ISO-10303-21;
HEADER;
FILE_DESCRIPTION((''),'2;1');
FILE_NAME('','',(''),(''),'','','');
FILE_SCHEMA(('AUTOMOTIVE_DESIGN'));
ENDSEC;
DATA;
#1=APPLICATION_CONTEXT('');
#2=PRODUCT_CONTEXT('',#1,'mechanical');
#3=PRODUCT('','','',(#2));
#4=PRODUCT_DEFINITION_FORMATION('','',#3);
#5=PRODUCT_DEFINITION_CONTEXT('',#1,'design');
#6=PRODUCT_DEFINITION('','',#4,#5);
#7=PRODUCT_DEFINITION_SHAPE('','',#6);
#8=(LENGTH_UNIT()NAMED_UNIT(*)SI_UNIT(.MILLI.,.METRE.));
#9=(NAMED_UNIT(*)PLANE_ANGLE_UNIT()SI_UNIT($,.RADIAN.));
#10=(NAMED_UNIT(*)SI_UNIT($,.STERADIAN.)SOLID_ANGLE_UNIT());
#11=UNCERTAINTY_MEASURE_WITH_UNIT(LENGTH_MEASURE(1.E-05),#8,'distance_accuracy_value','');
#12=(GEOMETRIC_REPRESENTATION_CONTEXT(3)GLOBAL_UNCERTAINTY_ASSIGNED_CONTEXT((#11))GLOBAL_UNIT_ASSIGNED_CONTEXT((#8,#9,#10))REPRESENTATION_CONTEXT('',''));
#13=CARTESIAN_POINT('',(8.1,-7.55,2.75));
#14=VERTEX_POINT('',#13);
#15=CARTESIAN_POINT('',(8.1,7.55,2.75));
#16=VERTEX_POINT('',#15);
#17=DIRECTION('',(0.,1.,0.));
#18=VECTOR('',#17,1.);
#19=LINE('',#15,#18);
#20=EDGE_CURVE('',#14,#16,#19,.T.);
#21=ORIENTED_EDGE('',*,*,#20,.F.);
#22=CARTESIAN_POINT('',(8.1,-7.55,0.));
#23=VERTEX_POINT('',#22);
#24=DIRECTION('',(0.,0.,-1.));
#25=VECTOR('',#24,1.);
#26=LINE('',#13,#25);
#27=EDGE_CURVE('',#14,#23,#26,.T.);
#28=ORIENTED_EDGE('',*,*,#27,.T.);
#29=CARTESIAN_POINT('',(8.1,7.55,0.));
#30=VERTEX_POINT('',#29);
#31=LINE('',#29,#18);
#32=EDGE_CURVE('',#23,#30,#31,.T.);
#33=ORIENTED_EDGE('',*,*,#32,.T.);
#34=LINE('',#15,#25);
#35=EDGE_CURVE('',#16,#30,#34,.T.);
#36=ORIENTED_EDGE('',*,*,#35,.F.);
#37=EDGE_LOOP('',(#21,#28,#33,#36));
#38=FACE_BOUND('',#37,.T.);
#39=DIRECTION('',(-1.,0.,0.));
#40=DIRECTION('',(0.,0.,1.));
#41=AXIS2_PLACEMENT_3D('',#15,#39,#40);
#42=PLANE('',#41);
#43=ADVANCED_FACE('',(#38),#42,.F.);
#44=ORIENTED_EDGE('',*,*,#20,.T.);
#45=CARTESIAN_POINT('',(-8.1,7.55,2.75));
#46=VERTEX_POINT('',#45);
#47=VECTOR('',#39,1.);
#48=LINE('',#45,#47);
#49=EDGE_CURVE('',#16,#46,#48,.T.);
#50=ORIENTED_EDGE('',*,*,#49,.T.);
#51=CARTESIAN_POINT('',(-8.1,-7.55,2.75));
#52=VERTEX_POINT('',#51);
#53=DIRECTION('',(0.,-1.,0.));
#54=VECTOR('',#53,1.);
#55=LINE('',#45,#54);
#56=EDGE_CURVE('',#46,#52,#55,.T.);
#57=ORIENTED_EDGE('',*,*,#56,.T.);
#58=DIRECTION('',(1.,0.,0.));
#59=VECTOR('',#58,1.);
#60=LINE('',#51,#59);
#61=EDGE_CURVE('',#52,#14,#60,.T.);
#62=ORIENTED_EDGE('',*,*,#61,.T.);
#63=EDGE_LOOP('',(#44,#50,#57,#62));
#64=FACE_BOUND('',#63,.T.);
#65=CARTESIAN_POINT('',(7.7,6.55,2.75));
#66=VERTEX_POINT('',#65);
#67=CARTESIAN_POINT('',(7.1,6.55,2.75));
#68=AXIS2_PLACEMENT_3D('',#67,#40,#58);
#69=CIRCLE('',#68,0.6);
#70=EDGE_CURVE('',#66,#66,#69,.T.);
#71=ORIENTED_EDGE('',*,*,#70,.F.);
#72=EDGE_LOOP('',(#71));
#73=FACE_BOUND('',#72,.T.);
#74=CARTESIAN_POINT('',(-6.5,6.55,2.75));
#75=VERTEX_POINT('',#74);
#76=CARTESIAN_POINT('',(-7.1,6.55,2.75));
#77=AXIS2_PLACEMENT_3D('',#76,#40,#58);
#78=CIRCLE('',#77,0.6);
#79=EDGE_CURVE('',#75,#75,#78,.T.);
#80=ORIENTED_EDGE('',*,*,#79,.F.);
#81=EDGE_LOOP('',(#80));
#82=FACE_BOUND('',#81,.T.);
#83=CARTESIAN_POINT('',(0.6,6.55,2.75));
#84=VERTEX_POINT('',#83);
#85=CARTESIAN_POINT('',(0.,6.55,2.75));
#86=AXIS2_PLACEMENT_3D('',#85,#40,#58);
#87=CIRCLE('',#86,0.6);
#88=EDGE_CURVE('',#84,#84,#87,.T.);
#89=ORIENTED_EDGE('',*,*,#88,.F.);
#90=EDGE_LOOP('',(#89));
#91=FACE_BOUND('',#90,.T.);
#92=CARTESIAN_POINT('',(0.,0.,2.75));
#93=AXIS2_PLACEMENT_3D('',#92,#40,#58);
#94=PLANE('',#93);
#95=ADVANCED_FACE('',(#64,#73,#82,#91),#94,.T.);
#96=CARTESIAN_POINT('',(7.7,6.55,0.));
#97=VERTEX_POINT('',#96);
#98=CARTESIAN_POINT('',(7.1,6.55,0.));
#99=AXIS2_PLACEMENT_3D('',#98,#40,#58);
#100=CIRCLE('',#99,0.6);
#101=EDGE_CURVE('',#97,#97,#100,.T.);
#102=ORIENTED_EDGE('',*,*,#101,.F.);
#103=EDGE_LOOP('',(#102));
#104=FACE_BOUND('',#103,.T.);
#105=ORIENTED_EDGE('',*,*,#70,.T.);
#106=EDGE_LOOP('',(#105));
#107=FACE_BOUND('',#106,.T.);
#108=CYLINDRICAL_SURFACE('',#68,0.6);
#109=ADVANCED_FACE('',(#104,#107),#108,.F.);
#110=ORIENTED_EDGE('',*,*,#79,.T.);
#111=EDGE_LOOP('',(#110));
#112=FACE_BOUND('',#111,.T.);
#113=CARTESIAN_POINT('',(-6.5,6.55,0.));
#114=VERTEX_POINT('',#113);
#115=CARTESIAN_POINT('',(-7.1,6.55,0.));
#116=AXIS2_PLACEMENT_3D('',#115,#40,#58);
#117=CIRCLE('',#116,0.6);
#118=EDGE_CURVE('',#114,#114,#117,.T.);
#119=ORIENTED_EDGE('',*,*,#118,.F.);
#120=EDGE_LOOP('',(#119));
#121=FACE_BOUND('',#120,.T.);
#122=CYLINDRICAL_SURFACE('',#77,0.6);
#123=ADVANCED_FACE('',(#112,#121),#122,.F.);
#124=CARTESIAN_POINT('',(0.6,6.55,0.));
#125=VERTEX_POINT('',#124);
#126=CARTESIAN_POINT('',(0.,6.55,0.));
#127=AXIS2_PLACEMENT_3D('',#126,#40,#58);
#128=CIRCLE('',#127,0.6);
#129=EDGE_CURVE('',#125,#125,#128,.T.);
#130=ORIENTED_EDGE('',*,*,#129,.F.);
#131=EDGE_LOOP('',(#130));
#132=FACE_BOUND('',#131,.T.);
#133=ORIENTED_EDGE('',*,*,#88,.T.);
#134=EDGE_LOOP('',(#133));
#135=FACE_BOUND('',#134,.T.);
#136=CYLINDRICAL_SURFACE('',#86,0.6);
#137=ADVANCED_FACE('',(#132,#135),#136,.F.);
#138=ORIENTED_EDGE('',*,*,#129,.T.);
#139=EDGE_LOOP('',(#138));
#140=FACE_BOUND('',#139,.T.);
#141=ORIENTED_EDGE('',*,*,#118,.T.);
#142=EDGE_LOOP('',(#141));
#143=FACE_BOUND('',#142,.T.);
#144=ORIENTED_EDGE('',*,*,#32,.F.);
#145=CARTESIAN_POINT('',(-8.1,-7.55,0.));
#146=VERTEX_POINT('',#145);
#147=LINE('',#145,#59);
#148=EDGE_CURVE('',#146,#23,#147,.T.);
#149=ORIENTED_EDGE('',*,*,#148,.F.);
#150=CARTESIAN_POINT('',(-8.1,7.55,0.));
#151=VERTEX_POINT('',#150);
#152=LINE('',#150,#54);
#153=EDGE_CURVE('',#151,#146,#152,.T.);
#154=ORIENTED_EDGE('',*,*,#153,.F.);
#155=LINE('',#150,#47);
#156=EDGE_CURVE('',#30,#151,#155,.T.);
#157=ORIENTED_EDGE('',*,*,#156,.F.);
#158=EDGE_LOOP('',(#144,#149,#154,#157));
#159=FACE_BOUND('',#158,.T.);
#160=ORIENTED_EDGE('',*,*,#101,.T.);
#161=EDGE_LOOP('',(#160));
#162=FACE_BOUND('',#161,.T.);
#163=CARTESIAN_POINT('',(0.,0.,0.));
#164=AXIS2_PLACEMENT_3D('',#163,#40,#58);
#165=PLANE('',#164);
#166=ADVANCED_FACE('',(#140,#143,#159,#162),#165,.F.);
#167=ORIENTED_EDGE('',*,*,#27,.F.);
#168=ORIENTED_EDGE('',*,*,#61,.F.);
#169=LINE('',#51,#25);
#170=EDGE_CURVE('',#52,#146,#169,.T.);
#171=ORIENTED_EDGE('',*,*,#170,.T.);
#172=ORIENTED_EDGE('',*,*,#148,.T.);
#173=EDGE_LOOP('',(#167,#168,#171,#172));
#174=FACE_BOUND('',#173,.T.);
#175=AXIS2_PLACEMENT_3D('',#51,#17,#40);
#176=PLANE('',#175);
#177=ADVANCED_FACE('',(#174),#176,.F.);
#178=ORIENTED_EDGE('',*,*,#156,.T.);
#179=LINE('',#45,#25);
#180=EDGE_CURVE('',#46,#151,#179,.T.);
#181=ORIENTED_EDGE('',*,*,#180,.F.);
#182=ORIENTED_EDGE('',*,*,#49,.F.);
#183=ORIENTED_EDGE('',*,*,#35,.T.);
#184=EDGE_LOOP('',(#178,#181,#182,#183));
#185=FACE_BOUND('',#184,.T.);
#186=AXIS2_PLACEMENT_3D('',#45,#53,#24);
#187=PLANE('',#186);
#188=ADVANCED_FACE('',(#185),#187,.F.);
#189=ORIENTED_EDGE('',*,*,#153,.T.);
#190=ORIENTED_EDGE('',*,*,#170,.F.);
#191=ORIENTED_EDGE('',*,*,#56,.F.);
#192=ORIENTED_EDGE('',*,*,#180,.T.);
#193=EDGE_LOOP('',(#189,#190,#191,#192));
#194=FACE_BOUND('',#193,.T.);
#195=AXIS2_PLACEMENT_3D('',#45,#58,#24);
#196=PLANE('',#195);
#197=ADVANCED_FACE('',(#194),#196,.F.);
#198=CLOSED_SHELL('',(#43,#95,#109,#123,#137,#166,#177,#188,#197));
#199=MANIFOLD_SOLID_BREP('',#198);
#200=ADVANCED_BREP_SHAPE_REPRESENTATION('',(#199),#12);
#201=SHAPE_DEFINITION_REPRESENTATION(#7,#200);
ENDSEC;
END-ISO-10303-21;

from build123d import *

# Parameters (mm, degrees)
SKETCH1_W                = 16.2
SKETCH1_H                = 15.1
BOSS_EXTRUDE1_DEPTH      = 2.75
M1_CLEARANCE_HOLE2_D     = 1.2
M1_CLEARANCE_HOLE2_DEPTH = 2.75


with BuildPart() as part:
    # Sketch1 → Boss-Extrude1 (new body)
    with BuildSketch(Plane.XY):
        Rectangle(SKETCH1_W, SKETCH1_H)
    extrude(amount=BOSS_EXTRUDE1_DEPTH)

    # Sketch3 → M1 Clearance Hole1 (revolve, cut)
    with BuildSketch(Plane(origin=(7.1, 6.55, 2.75), x_dir=(0, -1, 0), z_dir=(1, 0, 0))):
        Polygon((0, 0), (0, 3.510516371), (0.6, 3.15), (0.6, 0), align=None)
    m1_clearance_hole1 = revolve(axis=Axis((7.1, 6.55, 9.1), (0, 0, -1)), mode=Mode.SUBTRACT)

    # Mirror1: M1 Clearance Hole1 across plane
    add(m1_clearance_hole1.mirror(Plane(origin=(0, 0, 0), x_dir=(0, 0, 1), z_dir=(1, 0, 0))), mode=Mode.SUBTRACT)

    # M1 Clearance Hole2
    with Locations(Plane.XY.offset(2.75)):
        with Locations((0, 6.55)):
            Hole(M1_CLEARANCE_HOLE2_D / 2, depth=M1_CLEARANCE_HOLE2_DEPTH)


solid = part.part
